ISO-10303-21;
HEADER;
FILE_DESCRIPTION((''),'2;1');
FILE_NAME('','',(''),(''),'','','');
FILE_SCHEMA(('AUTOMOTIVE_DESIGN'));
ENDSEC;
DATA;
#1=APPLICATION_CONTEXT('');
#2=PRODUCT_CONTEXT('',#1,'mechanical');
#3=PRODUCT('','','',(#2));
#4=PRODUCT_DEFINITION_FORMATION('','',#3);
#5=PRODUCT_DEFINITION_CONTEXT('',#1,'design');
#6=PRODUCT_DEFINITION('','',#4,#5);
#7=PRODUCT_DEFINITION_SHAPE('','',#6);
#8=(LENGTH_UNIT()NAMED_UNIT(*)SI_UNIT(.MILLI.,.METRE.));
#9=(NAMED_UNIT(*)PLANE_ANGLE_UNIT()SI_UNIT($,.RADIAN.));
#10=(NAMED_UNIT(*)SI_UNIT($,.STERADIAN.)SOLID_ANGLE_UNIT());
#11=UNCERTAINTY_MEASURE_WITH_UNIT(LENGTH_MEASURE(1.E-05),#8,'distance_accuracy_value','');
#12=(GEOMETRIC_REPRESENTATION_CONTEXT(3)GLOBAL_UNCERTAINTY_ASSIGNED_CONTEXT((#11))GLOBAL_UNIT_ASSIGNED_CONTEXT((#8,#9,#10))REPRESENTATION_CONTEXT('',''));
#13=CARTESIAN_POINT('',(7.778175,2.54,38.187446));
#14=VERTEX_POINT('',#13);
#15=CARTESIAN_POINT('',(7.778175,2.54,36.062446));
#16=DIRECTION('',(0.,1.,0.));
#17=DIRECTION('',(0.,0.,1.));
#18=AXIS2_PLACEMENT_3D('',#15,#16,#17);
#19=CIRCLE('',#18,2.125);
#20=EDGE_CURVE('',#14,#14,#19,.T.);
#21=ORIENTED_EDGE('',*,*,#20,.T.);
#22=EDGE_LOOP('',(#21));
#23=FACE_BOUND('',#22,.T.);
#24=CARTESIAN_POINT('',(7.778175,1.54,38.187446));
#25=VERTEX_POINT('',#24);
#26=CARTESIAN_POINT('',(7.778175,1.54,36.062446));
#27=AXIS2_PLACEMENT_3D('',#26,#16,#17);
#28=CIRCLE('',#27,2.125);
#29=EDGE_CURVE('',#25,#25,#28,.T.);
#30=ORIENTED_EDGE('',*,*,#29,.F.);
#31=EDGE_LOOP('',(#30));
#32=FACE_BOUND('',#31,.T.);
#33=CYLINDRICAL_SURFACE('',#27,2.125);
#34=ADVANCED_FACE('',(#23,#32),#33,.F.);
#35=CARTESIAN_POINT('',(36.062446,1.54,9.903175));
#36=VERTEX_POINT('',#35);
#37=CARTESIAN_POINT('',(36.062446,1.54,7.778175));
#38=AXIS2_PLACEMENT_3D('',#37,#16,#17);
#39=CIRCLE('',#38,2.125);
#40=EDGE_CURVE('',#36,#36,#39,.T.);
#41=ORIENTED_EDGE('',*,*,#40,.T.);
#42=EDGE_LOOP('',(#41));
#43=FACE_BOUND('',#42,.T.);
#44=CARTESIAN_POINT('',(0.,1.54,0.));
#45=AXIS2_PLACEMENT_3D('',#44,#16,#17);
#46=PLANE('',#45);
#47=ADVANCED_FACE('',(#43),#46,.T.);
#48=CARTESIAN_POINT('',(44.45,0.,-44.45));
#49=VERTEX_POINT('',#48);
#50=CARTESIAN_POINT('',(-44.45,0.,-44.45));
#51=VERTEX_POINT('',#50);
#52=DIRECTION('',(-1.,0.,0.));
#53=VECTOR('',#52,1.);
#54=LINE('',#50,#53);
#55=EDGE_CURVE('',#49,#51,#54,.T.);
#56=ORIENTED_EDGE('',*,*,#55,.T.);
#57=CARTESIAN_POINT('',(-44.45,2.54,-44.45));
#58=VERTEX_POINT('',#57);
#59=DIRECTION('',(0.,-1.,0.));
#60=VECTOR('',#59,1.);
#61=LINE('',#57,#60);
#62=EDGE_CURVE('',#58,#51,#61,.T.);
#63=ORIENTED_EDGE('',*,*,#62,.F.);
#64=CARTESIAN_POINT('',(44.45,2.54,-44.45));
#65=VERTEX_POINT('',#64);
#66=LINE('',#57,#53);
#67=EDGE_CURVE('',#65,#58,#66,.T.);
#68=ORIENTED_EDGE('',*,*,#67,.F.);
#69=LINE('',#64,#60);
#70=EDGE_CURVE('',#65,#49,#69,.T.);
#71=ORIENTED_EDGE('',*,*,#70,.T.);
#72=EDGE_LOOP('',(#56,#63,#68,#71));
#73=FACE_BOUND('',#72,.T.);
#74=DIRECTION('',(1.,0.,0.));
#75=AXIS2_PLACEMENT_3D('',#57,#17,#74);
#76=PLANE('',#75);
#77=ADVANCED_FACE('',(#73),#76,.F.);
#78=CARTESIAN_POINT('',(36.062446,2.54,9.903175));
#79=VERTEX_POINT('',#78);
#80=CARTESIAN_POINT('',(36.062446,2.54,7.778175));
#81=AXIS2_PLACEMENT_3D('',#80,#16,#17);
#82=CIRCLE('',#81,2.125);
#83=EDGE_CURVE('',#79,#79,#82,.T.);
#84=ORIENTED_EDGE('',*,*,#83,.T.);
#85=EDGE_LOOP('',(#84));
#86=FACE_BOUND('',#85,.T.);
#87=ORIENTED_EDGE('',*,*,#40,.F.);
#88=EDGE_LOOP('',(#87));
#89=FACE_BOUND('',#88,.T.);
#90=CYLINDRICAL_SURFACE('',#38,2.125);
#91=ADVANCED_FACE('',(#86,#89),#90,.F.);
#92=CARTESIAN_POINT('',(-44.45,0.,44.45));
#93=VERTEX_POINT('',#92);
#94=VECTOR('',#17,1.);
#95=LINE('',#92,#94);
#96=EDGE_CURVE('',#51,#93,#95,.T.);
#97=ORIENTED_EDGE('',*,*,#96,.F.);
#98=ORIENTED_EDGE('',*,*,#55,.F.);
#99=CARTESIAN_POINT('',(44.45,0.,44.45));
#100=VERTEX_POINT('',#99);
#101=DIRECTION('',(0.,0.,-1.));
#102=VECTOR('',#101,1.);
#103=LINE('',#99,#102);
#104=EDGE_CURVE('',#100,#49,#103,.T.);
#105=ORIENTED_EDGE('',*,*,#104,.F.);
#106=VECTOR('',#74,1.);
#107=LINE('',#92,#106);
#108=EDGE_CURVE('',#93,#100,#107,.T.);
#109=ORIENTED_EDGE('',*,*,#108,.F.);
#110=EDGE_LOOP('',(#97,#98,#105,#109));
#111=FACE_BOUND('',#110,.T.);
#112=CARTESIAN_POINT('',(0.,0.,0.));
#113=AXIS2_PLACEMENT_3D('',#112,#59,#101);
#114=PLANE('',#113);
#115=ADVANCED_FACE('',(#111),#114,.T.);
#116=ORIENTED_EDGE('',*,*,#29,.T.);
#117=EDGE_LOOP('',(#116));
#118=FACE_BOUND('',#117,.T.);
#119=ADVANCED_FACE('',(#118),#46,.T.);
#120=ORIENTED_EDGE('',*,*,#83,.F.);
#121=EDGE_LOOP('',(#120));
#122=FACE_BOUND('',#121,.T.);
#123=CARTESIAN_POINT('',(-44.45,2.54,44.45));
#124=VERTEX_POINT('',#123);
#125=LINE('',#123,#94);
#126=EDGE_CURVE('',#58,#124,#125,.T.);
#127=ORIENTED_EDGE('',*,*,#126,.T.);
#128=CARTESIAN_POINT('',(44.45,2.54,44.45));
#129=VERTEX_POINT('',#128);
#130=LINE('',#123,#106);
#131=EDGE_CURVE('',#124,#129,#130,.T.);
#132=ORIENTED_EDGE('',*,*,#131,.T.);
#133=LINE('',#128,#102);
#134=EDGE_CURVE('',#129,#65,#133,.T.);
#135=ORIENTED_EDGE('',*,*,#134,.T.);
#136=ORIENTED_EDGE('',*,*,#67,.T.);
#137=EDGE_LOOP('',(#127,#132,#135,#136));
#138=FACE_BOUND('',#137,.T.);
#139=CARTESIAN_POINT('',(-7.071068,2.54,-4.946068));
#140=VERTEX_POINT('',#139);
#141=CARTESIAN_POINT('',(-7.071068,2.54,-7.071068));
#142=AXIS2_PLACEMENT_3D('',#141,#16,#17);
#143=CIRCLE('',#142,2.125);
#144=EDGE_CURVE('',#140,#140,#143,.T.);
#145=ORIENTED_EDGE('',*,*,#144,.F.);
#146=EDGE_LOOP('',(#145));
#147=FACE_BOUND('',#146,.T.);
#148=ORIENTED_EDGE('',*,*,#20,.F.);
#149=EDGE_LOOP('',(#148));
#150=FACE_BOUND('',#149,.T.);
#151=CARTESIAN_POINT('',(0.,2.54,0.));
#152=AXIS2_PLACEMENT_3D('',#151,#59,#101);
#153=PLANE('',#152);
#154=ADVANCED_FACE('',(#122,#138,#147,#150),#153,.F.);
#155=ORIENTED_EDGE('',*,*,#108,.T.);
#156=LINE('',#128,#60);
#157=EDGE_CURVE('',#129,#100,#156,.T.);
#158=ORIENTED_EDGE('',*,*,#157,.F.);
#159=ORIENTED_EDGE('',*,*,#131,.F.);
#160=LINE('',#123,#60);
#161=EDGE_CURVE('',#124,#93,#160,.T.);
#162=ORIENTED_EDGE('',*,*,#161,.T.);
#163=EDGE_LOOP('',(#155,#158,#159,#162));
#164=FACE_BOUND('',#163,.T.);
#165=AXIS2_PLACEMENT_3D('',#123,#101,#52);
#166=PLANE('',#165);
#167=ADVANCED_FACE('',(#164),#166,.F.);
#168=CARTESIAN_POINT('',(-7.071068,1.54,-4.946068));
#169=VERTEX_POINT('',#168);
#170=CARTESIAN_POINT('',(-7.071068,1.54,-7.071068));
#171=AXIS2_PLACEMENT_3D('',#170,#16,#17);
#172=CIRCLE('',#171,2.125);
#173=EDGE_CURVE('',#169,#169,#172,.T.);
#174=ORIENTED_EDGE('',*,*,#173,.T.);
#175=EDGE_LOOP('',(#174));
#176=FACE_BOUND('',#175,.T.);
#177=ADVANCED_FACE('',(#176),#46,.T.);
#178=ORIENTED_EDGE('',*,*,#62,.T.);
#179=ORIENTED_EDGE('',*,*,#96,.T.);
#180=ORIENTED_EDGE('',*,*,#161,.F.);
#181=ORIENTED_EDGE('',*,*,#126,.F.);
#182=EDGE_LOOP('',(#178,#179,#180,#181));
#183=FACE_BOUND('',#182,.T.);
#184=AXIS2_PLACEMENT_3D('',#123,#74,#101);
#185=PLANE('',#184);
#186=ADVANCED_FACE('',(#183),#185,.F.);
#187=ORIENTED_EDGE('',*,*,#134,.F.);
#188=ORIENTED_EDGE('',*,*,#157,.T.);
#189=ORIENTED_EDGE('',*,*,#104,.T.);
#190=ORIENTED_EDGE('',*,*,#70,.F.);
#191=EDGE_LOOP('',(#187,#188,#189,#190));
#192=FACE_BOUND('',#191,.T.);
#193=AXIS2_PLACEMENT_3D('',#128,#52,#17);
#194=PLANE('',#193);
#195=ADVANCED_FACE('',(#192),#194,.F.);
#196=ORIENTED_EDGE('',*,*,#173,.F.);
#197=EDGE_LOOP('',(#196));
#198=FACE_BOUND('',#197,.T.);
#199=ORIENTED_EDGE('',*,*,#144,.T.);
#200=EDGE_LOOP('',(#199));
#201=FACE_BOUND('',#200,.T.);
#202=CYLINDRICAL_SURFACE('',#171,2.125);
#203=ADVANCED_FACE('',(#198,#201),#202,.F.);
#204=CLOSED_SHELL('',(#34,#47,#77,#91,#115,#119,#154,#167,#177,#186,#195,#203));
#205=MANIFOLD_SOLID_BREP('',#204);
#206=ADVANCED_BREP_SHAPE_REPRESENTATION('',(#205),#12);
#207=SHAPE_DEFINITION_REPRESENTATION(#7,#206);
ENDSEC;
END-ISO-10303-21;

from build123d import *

# Parameters (mm, degrees)
SKETCH1_W           = 88.9
SKETCH1_H           = 88.9
BOSS_EXTRUDE1_DEPTH = 2.54
SKETCH3_R           = 2.125
CUT_EXTRUDE1_DEPTH  = 1


with BuildPart() as part:
    # Sketch1 → Boss-Extrude1 (new body)
    with BuildSketch(Plane(origin=(0, 0, 0), x_dir=(1, 0, 0), z_dir=(0, 1, 0))):
        Rectangle(SKETCH1_W, SKETCH1_H)
    extrude(amount=BOSS_EXTRUDE1_DEPTH)

    # Sketch3 → Cut-Extrude1 (cut)
    with BuildSketch(Plane(origin=(0, 2.54, 0), x_dir=(1, 0, 0), z_dir=(0, 1, 0))):
        with Locations(Location((-7.071067812, 7.071067812, 0), (0, 0, 270))):
            Circle(SKETCH3_R)
        with Locations(Location((36.062445841, -7.778174593, 0), (0, 0, 270))):
            Circle(SKETCH3_R)
        with Locations(Location((7.778174593, -36.062445841, 0), (0, 0, 270))):
            Circle(SKETCH3_R)
    extrude(amount=-CUT_EXTRUDE1_DEPTH, mode=Mode.SUBTRACT)


solid = part.part
